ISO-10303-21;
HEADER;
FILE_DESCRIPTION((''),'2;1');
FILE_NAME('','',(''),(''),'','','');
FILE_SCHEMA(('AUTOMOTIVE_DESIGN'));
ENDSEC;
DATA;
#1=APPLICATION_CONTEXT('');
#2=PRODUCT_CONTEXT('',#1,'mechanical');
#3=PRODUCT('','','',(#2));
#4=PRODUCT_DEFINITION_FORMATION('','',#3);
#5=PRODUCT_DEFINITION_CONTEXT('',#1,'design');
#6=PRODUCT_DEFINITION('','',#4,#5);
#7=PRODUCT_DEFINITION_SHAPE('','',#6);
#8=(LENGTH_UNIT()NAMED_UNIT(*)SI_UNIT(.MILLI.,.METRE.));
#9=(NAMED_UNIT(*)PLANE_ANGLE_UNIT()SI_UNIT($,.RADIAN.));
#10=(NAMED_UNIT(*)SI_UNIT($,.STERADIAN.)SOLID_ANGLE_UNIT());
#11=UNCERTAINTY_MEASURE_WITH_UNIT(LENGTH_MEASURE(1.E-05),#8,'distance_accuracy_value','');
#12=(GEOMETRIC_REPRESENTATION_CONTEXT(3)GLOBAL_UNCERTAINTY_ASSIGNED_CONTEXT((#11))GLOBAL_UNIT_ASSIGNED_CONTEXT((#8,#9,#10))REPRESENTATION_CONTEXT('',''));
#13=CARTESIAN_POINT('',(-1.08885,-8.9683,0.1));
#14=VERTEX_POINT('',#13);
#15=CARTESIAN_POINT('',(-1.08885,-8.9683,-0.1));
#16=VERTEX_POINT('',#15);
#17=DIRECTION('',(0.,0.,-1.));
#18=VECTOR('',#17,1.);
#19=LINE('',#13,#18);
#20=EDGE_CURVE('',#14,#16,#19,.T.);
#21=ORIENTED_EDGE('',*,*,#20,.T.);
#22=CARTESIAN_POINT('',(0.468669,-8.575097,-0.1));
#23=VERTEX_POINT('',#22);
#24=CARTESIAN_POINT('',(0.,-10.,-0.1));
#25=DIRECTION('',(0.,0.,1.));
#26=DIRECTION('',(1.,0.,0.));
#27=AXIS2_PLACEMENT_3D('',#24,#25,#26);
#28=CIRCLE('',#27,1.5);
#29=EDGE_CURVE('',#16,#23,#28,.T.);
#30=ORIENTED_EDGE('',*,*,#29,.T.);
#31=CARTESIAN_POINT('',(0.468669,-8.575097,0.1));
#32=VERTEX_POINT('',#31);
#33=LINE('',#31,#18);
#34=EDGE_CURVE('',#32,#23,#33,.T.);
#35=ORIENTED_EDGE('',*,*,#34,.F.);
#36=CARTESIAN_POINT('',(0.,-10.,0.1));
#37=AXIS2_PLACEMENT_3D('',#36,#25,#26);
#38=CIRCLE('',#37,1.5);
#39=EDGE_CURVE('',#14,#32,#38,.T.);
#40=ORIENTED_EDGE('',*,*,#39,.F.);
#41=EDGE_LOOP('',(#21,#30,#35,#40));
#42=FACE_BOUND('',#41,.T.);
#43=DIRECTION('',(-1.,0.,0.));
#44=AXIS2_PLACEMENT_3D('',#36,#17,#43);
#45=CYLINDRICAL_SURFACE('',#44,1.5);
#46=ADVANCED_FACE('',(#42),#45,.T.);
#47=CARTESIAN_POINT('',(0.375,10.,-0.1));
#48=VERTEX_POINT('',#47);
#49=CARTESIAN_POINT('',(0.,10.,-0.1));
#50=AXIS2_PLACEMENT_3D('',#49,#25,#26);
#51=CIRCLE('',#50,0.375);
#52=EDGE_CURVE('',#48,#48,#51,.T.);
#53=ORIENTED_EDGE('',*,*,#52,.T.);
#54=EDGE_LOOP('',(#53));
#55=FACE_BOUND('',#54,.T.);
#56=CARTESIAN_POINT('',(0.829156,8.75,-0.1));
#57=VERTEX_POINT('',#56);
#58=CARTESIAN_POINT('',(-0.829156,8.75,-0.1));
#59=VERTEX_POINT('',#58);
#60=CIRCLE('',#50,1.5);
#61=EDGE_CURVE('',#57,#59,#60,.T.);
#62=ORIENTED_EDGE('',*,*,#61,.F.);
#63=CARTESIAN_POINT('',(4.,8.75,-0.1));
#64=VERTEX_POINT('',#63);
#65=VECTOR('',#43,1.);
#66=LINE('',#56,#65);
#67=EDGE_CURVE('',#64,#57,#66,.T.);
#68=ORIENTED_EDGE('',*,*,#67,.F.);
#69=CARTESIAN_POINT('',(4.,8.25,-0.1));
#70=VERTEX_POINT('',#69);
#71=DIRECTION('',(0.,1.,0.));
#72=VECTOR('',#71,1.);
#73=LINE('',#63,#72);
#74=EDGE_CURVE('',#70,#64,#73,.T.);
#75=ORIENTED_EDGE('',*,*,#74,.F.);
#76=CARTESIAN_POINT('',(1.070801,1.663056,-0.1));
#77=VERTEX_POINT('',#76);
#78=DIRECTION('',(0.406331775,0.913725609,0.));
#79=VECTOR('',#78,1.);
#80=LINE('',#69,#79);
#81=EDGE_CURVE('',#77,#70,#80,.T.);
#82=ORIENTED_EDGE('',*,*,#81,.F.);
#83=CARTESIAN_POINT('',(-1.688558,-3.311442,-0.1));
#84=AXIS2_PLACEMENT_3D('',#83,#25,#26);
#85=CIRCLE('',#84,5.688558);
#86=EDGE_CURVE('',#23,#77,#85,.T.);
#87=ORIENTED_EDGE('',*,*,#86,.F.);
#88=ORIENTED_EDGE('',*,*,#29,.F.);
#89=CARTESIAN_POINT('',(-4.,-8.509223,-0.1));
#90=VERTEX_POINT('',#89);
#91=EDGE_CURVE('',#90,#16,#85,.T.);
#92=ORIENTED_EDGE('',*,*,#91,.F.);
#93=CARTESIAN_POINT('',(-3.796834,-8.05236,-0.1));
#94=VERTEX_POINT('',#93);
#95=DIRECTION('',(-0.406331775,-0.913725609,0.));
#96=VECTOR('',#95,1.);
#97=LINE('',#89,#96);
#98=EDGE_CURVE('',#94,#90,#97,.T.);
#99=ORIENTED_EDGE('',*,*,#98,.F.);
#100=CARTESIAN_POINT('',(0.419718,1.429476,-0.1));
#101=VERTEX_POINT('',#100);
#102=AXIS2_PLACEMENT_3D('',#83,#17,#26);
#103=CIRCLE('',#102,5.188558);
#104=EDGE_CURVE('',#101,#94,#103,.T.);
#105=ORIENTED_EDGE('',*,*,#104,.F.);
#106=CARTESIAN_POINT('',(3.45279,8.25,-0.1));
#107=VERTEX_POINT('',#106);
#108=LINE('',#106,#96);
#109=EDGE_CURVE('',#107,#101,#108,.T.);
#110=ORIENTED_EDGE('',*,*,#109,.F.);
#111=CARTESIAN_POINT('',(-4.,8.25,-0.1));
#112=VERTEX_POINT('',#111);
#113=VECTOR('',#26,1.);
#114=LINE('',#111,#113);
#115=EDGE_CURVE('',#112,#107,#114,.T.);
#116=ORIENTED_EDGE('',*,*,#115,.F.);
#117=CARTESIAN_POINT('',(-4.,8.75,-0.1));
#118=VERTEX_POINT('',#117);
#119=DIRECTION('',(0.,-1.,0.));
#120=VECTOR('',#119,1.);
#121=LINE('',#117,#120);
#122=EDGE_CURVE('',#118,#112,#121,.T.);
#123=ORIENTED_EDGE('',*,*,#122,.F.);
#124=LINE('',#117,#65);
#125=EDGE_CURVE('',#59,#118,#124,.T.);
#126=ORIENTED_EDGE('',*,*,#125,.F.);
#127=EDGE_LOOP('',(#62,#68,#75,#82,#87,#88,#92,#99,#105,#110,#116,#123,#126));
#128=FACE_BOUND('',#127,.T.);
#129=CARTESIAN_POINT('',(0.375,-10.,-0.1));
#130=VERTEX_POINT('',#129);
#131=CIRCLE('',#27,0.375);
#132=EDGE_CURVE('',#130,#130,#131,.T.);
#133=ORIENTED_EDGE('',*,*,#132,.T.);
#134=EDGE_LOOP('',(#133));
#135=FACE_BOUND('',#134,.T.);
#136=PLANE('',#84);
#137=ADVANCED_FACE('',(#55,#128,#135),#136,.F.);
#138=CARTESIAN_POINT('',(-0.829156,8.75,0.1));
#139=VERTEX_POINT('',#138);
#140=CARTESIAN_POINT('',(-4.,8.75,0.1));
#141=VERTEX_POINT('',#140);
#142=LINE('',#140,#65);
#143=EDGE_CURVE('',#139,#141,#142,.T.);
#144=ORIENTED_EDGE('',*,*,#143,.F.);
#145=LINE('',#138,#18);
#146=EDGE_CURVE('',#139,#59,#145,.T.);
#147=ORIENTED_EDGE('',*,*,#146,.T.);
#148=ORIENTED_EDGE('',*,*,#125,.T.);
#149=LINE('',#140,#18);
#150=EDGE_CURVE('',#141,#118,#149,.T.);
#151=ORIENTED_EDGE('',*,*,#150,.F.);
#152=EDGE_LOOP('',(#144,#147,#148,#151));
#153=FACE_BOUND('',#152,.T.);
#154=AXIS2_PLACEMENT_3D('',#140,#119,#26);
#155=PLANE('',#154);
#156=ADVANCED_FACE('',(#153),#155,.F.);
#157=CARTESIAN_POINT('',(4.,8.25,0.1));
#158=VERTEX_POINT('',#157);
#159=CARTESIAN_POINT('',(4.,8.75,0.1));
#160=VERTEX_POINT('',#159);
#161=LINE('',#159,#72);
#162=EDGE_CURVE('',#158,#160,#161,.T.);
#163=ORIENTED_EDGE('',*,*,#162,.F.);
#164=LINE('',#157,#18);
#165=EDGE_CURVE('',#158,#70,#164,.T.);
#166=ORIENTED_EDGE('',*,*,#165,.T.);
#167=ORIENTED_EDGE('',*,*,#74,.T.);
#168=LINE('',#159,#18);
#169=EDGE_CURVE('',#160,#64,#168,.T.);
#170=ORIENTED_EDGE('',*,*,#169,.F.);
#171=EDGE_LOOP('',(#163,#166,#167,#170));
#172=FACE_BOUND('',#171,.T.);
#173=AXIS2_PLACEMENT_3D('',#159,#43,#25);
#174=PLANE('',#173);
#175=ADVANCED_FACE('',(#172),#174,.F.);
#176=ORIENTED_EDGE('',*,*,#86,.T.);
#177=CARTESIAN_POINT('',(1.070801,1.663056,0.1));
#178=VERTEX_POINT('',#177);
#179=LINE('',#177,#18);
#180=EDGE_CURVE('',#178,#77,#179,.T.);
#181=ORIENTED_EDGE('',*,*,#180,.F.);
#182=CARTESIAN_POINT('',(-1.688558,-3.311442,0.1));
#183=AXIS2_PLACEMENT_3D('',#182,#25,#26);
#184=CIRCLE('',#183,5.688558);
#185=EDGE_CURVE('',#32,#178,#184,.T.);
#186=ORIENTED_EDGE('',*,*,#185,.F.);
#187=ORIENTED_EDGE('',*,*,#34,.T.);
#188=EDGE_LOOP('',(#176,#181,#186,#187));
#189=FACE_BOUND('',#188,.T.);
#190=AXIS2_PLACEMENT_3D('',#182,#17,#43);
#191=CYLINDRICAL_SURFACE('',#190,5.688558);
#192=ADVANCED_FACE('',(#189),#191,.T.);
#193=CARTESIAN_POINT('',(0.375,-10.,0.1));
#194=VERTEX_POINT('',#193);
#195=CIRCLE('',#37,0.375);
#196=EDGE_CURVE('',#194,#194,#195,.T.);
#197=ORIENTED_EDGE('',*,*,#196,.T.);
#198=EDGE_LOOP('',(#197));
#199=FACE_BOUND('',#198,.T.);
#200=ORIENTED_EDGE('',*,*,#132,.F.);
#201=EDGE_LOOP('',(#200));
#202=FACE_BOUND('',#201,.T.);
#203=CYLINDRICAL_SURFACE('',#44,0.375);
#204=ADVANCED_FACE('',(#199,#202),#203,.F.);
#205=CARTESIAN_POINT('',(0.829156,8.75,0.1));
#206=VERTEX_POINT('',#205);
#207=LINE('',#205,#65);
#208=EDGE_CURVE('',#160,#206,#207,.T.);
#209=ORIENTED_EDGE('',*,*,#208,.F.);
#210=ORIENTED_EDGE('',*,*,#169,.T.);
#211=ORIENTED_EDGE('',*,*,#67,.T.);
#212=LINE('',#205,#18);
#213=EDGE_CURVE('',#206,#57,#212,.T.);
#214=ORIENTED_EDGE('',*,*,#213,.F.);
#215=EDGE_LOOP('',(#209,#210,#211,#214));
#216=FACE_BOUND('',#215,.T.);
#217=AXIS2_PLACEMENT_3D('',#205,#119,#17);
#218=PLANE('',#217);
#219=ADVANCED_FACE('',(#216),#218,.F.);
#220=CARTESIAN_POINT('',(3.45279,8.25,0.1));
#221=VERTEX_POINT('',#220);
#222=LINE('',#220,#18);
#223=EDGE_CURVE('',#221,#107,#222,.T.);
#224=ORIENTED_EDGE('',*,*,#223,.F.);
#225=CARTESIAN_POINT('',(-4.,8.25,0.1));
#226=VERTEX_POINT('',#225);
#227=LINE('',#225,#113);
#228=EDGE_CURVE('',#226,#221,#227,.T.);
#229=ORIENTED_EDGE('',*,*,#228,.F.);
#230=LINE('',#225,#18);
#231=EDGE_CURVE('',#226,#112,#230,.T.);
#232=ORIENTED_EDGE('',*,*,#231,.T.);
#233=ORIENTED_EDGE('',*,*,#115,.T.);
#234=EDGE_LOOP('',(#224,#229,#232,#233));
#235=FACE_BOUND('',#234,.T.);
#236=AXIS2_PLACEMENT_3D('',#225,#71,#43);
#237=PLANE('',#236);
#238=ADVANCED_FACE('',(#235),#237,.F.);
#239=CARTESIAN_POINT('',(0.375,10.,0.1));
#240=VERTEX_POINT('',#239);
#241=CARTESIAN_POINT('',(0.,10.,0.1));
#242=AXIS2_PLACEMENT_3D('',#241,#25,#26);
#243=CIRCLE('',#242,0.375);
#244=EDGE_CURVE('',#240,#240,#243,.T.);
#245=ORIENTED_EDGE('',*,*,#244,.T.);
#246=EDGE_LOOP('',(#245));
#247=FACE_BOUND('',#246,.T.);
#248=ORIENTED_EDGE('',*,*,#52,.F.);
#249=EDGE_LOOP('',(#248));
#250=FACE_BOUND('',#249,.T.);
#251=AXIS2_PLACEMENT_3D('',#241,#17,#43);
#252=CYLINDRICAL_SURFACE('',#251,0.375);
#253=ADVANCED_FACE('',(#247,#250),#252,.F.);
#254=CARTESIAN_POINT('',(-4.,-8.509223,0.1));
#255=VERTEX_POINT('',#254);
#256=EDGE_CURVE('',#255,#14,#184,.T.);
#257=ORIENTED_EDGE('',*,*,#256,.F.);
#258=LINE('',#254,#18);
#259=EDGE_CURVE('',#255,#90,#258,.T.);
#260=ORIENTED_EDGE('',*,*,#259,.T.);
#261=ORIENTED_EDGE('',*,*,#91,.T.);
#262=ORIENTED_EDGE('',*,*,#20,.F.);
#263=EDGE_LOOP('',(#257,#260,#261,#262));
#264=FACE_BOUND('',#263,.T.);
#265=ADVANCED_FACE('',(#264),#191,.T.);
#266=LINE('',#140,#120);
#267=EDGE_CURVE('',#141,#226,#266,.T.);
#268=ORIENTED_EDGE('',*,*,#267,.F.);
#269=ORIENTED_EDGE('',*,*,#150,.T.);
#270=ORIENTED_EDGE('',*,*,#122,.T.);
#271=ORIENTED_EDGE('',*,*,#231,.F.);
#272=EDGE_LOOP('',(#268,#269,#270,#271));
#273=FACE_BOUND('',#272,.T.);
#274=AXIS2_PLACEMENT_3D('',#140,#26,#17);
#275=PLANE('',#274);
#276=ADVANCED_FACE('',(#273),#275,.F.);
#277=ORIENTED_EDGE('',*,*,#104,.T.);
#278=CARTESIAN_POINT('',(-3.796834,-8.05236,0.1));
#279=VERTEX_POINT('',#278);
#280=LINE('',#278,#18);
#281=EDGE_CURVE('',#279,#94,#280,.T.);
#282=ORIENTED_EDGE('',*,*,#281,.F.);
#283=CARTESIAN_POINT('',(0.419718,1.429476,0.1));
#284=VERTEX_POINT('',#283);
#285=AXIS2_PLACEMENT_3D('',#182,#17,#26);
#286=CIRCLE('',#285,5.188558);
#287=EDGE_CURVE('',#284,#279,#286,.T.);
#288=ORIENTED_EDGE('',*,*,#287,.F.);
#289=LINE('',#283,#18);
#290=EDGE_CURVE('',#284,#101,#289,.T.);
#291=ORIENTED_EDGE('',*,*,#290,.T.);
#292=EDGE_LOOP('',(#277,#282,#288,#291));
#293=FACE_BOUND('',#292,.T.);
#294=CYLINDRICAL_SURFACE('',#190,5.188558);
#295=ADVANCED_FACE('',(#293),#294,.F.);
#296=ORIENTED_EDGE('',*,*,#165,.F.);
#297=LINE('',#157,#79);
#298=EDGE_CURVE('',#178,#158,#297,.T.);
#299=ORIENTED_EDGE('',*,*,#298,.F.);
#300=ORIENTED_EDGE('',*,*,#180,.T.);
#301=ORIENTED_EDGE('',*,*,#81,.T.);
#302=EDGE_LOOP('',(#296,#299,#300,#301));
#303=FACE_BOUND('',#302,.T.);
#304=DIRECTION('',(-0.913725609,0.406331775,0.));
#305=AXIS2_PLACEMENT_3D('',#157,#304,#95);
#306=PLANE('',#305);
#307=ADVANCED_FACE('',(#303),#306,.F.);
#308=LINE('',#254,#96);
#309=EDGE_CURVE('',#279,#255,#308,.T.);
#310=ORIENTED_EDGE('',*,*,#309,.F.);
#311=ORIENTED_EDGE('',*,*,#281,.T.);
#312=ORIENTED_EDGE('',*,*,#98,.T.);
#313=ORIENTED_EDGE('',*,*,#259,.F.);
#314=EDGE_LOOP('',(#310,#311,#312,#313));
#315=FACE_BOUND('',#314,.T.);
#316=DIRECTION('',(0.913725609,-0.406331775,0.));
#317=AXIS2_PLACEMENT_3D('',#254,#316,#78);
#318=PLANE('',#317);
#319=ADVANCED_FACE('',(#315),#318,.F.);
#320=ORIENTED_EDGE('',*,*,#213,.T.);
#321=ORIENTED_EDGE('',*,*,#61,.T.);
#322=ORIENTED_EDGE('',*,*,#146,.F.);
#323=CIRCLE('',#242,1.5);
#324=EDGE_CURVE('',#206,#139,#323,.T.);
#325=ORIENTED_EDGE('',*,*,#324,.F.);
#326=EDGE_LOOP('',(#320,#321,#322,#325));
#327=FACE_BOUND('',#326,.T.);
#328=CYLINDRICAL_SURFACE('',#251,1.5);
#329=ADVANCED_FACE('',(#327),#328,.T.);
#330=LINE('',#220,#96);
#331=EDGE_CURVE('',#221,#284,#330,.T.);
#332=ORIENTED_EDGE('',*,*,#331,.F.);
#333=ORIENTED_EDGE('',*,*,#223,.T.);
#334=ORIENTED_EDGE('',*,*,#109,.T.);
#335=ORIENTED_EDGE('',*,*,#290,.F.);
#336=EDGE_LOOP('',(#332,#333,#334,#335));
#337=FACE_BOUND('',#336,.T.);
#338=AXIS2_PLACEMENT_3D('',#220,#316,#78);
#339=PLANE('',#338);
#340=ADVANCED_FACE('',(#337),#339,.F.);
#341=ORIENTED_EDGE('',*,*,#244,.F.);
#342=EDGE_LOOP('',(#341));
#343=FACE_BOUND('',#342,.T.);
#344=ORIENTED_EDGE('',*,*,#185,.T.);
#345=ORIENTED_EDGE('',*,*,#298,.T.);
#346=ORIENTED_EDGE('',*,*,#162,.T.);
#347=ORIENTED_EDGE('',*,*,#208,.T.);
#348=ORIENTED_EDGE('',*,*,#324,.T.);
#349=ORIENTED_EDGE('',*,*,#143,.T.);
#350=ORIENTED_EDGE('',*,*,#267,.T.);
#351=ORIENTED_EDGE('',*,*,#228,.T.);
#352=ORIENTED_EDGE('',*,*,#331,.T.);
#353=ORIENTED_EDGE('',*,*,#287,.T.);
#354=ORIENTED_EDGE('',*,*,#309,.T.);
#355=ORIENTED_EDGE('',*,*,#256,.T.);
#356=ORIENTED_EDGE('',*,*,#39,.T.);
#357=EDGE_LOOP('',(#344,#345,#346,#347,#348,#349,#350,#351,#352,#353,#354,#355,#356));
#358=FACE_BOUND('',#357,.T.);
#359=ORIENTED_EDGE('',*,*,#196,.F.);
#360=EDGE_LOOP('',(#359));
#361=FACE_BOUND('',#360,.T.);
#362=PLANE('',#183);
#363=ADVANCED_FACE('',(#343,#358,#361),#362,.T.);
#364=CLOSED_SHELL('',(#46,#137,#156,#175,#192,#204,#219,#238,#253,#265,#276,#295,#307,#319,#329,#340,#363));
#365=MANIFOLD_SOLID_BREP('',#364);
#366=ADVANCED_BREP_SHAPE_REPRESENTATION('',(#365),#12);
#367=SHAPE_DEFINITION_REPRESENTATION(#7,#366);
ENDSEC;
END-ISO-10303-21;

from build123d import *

# Parameters (mm, degrees)
SKETCH1_R           = 0.375
BOSS_EXTRUDE1_DEPTH = 0.1


with BuildPart() as part:
    # Sketch1 → Boss-Extrude1 (new body, symmetric)
    with BuildSketch(Plane.XY):
        with BuildLine():
            Line((-4, 8.75), (-0.829156198, 8.75))
            ThreePointArc((-0.829156198, 8.75), (0, 11.5), (0.829156198, 8.75))
            Line((0.829156198, 8.75), (4, 8.75))
            Line((4, 8.75), (4, 8.25))
            Line((4, 8.25), (1.070800598, 1.663056339))
            ThreePointArc((1.070800598, 1.663056339), (3.990187346, -3.645423064), (0.468669321, -8.575096822))
            ThreePointArc((0.468669321, -8.575096822), (0.367162541, -11.454369853), (-1.088850392, -8.968300032))
            ThreePointArc((-1.088850392, -8.968300032), (-2.57467118, -8.930560768), (-4, -8.509223116))
            Line((-4, -8.509223116), (-3.796834113, -8.052360311))
            ThreePointArc((-3.796834113, -8.052360311), (3.052360311, -5.419717925), (0.419717925, 1.429476498))
            Line((0.419717925, 1.429476498), (3.452789771, 8.25))
            Line((3.452789771, 8.25), (-4, 8.25))
            Line((-4, 8.25), (-4, 8.75))
        make_face()
        with Locations((0, 10)):
            Circle(SKETCH1_R, mode=Mode.SUBTRACT)
        with Locations((0, -10)):
            Circle(SKETCH1_R, mode=Mode.SUBTRACT)
    extrude(amount=BOSS_EXTRUDE1_DEPTH, both=True)


solid = part.part
